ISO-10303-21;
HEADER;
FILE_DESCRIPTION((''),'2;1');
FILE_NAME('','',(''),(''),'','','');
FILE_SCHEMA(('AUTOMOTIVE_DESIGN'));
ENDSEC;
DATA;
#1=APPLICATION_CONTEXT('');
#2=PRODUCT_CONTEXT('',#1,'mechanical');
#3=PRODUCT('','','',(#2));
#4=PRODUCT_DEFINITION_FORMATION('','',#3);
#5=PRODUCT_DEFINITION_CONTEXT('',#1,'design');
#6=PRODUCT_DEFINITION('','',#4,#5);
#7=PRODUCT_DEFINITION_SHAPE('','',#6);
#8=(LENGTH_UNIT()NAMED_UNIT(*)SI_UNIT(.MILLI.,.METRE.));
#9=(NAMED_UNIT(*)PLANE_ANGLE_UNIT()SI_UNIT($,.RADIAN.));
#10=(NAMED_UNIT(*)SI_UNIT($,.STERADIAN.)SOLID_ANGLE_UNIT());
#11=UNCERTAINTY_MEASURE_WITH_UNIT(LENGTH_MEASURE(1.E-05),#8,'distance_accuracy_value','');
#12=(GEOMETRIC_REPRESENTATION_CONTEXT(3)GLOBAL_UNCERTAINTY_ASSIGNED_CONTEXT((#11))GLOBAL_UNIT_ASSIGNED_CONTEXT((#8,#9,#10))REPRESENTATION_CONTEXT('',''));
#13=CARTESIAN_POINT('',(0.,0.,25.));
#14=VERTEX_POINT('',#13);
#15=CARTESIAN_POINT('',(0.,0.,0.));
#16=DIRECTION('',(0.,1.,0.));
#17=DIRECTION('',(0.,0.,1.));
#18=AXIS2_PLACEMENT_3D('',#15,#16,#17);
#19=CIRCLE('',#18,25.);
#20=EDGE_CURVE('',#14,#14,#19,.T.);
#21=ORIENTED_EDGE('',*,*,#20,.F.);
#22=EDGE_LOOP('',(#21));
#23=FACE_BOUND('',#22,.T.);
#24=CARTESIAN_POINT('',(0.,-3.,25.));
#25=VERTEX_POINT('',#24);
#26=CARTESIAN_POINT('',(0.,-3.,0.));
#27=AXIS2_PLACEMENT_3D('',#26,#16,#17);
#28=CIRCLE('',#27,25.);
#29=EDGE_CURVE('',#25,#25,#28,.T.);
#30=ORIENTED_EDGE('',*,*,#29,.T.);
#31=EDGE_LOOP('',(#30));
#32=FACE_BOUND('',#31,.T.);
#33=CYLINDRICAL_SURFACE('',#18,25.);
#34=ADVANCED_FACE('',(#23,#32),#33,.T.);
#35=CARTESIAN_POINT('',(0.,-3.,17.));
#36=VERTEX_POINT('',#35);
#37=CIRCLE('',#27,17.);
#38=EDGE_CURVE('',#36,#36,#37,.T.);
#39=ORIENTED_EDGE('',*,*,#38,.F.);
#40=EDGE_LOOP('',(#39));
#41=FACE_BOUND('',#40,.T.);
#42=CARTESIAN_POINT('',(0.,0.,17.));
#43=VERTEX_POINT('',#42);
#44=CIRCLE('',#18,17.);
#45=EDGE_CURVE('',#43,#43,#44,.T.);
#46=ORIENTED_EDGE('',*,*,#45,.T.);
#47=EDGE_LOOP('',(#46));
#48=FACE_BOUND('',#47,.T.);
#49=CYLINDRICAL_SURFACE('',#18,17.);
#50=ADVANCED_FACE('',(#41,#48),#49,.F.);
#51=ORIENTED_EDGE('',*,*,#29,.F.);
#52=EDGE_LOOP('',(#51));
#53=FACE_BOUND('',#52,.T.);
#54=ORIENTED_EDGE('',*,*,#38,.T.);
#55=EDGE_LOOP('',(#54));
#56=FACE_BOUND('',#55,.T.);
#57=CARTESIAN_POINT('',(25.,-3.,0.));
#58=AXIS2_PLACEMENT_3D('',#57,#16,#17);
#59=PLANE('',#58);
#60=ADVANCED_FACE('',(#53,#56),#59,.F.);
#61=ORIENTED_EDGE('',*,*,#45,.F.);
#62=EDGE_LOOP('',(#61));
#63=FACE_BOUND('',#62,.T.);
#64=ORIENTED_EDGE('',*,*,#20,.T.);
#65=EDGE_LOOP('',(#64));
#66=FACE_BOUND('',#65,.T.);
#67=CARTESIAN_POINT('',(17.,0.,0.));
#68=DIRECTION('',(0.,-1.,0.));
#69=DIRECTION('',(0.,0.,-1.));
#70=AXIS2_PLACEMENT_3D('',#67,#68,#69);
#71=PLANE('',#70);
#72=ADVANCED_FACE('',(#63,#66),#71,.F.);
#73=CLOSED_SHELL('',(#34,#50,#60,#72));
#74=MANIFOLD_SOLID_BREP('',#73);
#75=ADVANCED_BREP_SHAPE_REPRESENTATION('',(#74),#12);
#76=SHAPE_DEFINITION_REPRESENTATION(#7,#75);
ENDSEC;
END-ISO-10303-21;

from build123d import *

# Parameters (mm, degrees)
SZKIC1_W = 8
SZKIC1_H = 3


with BuildPart() as part:
    # Szkic1 → Obrót1 (revolve)
    with BuildSketch(Plane.XY, mode=Mode.PRIVATE) as obr_t1_sk:
        with Locations((21, -1.5)):
            Rectangle(SZKIC1_W, SZKIC1_H)
    revolve(obr_t1_sk.sketch.rotate(Axis((0, 0, 0), (0, -1, 0)), 90), axis=Axis((0, 0, 0), (0, -1, 0)))


solid = part.part
